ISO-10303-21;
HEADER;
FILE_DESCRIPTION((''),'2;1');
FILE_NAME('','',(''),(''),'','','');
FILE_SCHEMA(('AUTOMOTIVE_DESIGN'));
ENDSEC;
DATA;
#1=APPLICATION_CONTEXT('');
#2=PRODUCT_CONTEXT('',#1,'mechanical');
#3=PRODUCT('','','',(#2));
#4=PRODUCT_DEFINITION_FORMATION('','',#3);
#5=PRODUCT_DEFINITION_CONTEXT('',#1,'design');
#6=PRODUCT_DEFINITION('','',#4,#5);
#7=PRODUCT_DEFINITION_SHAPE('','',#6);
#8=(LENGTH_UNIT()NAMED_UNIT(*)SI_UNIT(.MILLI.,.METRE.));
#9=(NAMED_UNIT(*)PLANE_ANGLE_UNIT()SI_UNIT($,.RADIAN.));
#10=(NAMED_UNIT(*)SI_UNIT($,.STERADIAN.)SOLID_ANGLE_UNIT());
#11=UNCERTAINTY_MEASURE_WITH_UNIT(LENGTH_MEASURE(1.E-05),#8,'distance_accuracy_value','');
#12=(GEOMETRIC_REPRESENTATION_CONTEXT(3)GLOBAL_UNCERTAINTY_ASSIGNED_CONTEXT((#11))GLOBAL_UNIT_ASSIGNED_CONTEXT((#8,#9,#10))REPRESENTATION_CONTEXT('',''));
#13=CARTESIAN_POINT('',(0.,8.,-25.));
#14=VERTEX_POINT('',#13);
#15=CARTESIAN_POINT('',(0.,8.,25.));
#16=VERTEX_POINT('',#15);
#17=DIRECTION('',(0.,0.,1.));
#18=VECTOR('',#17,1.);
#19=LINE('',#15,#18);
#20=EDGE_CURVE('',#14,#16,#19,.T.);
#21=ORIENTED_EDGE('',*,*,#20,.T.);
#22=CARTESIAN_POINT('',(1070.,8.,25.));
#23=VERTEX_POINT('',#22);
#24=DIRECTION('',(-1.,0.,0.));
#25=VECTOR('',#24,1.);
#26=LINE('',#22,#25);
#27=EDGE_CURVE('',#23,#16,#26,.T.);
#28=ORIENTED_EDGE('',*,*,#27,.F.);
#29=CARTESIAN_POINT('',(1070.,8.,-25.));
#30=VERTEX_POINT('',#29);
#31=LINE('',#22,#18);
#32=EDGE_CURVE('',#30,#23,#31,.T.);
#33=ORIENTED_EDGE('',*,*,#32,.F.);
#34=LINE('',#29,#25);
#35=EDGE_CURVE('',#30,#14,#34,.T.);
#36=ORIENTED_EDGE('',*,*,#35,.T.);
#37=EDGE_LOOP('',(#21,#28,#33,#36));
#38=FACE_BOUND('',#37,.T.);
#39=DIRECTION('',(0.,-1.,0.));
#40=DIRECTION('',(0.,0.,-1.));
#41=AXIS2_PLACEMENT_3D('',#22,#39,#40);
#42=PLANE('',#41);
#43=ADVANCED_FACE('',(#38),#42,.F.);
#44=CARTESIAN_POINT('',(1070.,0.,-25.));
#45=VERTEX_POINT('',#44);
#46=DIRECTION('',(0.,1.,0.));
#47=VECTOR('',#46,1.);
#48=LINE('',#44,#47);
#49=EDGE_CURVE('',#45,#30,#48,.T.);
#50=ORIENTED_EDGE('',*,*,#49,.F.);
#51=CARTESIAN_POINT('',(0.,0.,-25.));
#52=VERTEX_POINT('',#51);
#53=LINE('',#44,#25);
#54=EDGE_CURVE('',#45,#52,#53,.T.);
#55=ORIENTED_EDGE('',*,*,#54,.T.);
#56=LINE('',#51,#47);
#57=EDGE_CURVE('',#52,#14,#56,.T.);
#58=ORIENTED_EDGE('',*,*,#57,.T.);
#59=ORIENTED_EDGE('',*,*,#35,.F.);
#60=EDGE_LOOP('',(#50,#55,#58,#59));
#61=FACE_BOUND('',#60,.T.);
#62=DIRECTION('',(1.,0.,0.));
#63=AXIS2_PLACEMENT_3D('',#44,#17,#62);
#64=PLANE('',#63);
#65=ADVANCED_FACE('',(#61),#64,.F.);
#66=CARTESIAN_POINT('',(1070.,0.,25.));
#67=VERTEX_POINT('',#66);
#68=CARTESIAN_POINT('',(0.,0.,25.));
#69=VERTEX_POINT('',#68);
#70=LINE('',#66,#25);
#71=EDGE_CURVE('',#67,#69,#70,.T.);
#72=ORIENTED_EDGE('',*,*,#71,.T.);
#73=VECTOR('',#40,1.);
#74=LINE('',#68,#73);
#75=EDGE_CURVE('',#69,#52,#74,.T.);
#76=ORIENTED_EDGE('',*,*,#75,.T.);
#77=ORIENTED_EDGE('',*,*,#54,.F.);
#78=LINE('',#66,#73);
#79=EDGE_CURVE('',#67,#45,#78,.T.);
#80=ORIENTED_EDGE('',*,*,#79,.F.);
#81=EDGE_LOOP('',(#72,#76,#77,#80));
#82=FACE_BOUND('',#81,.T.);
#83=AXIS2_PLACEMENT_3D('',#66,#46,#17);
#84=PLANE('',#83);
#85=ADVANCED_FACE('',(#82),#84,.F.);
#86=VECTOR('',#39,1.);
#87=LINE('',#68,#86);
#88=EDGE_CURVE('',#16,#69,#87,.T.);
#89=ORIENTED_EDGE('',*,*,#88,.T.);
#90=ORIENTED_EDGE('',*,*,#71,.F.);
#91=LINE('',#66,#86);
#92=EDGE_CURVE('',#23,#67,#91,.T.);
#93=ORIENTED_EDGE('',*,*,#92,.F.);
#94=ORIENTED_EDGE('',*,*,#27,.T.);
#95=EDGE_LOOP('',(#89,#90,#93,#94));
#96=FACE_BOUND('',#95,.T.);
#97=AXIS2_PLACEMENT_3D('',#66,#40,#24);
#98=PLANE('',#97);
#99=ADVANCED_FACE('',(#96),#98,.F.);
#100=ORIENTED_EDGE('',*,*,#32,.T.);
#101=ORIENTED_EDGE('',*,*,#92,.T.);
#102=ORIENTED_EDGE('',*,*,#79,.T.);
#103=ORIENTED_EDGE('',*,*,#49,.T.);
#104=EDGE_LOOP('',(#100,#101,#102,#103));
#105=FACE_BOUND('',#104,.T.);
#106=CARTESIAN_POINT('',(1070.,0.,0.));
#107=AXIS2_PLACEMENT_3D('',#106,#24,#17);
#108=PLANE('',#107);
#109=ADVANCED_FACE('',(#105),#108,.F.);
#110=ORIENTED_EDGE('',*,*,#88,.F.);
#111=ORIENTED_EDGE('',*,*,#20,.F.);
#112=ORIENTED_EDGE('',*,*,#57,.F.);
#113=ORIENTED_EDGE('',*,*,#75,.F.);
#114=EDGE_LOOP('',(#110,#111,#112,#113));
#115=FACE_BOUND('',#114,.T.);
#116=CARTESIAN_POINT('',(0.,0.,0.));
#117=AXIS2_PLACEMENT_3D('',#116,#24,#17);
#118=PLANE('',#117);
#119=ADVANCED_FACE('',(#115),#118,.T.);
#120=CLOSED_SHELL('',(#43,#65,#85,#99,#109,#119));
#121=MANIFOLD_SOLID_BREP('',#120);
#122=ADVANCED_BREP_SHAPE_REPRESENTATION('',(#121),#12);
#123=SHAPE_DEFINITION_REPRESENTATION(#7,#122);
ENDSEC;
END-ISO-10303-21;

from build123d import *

# Parameters (mm, degrees)
SKETCH_1_W      = 50
SKETCH_1_H      = 8
EXTRUDE_1_DEPTH = 1070


with BuildPart() as part:
    # Эскиз1 → Бобышка-Вытянуть1 (new body)
    with BuildSketch(Plane(origin=(0, 0, 0), x_dir=(0, 0, -1), z_dir=(1, 0, 0))):
        with Locations((0, 4)):
            Rectangle(SKETCH_1_W, SKETCH_1_H)
    extrude(amount=EXTRUDE_1_DEPTH)


solid = part.part
